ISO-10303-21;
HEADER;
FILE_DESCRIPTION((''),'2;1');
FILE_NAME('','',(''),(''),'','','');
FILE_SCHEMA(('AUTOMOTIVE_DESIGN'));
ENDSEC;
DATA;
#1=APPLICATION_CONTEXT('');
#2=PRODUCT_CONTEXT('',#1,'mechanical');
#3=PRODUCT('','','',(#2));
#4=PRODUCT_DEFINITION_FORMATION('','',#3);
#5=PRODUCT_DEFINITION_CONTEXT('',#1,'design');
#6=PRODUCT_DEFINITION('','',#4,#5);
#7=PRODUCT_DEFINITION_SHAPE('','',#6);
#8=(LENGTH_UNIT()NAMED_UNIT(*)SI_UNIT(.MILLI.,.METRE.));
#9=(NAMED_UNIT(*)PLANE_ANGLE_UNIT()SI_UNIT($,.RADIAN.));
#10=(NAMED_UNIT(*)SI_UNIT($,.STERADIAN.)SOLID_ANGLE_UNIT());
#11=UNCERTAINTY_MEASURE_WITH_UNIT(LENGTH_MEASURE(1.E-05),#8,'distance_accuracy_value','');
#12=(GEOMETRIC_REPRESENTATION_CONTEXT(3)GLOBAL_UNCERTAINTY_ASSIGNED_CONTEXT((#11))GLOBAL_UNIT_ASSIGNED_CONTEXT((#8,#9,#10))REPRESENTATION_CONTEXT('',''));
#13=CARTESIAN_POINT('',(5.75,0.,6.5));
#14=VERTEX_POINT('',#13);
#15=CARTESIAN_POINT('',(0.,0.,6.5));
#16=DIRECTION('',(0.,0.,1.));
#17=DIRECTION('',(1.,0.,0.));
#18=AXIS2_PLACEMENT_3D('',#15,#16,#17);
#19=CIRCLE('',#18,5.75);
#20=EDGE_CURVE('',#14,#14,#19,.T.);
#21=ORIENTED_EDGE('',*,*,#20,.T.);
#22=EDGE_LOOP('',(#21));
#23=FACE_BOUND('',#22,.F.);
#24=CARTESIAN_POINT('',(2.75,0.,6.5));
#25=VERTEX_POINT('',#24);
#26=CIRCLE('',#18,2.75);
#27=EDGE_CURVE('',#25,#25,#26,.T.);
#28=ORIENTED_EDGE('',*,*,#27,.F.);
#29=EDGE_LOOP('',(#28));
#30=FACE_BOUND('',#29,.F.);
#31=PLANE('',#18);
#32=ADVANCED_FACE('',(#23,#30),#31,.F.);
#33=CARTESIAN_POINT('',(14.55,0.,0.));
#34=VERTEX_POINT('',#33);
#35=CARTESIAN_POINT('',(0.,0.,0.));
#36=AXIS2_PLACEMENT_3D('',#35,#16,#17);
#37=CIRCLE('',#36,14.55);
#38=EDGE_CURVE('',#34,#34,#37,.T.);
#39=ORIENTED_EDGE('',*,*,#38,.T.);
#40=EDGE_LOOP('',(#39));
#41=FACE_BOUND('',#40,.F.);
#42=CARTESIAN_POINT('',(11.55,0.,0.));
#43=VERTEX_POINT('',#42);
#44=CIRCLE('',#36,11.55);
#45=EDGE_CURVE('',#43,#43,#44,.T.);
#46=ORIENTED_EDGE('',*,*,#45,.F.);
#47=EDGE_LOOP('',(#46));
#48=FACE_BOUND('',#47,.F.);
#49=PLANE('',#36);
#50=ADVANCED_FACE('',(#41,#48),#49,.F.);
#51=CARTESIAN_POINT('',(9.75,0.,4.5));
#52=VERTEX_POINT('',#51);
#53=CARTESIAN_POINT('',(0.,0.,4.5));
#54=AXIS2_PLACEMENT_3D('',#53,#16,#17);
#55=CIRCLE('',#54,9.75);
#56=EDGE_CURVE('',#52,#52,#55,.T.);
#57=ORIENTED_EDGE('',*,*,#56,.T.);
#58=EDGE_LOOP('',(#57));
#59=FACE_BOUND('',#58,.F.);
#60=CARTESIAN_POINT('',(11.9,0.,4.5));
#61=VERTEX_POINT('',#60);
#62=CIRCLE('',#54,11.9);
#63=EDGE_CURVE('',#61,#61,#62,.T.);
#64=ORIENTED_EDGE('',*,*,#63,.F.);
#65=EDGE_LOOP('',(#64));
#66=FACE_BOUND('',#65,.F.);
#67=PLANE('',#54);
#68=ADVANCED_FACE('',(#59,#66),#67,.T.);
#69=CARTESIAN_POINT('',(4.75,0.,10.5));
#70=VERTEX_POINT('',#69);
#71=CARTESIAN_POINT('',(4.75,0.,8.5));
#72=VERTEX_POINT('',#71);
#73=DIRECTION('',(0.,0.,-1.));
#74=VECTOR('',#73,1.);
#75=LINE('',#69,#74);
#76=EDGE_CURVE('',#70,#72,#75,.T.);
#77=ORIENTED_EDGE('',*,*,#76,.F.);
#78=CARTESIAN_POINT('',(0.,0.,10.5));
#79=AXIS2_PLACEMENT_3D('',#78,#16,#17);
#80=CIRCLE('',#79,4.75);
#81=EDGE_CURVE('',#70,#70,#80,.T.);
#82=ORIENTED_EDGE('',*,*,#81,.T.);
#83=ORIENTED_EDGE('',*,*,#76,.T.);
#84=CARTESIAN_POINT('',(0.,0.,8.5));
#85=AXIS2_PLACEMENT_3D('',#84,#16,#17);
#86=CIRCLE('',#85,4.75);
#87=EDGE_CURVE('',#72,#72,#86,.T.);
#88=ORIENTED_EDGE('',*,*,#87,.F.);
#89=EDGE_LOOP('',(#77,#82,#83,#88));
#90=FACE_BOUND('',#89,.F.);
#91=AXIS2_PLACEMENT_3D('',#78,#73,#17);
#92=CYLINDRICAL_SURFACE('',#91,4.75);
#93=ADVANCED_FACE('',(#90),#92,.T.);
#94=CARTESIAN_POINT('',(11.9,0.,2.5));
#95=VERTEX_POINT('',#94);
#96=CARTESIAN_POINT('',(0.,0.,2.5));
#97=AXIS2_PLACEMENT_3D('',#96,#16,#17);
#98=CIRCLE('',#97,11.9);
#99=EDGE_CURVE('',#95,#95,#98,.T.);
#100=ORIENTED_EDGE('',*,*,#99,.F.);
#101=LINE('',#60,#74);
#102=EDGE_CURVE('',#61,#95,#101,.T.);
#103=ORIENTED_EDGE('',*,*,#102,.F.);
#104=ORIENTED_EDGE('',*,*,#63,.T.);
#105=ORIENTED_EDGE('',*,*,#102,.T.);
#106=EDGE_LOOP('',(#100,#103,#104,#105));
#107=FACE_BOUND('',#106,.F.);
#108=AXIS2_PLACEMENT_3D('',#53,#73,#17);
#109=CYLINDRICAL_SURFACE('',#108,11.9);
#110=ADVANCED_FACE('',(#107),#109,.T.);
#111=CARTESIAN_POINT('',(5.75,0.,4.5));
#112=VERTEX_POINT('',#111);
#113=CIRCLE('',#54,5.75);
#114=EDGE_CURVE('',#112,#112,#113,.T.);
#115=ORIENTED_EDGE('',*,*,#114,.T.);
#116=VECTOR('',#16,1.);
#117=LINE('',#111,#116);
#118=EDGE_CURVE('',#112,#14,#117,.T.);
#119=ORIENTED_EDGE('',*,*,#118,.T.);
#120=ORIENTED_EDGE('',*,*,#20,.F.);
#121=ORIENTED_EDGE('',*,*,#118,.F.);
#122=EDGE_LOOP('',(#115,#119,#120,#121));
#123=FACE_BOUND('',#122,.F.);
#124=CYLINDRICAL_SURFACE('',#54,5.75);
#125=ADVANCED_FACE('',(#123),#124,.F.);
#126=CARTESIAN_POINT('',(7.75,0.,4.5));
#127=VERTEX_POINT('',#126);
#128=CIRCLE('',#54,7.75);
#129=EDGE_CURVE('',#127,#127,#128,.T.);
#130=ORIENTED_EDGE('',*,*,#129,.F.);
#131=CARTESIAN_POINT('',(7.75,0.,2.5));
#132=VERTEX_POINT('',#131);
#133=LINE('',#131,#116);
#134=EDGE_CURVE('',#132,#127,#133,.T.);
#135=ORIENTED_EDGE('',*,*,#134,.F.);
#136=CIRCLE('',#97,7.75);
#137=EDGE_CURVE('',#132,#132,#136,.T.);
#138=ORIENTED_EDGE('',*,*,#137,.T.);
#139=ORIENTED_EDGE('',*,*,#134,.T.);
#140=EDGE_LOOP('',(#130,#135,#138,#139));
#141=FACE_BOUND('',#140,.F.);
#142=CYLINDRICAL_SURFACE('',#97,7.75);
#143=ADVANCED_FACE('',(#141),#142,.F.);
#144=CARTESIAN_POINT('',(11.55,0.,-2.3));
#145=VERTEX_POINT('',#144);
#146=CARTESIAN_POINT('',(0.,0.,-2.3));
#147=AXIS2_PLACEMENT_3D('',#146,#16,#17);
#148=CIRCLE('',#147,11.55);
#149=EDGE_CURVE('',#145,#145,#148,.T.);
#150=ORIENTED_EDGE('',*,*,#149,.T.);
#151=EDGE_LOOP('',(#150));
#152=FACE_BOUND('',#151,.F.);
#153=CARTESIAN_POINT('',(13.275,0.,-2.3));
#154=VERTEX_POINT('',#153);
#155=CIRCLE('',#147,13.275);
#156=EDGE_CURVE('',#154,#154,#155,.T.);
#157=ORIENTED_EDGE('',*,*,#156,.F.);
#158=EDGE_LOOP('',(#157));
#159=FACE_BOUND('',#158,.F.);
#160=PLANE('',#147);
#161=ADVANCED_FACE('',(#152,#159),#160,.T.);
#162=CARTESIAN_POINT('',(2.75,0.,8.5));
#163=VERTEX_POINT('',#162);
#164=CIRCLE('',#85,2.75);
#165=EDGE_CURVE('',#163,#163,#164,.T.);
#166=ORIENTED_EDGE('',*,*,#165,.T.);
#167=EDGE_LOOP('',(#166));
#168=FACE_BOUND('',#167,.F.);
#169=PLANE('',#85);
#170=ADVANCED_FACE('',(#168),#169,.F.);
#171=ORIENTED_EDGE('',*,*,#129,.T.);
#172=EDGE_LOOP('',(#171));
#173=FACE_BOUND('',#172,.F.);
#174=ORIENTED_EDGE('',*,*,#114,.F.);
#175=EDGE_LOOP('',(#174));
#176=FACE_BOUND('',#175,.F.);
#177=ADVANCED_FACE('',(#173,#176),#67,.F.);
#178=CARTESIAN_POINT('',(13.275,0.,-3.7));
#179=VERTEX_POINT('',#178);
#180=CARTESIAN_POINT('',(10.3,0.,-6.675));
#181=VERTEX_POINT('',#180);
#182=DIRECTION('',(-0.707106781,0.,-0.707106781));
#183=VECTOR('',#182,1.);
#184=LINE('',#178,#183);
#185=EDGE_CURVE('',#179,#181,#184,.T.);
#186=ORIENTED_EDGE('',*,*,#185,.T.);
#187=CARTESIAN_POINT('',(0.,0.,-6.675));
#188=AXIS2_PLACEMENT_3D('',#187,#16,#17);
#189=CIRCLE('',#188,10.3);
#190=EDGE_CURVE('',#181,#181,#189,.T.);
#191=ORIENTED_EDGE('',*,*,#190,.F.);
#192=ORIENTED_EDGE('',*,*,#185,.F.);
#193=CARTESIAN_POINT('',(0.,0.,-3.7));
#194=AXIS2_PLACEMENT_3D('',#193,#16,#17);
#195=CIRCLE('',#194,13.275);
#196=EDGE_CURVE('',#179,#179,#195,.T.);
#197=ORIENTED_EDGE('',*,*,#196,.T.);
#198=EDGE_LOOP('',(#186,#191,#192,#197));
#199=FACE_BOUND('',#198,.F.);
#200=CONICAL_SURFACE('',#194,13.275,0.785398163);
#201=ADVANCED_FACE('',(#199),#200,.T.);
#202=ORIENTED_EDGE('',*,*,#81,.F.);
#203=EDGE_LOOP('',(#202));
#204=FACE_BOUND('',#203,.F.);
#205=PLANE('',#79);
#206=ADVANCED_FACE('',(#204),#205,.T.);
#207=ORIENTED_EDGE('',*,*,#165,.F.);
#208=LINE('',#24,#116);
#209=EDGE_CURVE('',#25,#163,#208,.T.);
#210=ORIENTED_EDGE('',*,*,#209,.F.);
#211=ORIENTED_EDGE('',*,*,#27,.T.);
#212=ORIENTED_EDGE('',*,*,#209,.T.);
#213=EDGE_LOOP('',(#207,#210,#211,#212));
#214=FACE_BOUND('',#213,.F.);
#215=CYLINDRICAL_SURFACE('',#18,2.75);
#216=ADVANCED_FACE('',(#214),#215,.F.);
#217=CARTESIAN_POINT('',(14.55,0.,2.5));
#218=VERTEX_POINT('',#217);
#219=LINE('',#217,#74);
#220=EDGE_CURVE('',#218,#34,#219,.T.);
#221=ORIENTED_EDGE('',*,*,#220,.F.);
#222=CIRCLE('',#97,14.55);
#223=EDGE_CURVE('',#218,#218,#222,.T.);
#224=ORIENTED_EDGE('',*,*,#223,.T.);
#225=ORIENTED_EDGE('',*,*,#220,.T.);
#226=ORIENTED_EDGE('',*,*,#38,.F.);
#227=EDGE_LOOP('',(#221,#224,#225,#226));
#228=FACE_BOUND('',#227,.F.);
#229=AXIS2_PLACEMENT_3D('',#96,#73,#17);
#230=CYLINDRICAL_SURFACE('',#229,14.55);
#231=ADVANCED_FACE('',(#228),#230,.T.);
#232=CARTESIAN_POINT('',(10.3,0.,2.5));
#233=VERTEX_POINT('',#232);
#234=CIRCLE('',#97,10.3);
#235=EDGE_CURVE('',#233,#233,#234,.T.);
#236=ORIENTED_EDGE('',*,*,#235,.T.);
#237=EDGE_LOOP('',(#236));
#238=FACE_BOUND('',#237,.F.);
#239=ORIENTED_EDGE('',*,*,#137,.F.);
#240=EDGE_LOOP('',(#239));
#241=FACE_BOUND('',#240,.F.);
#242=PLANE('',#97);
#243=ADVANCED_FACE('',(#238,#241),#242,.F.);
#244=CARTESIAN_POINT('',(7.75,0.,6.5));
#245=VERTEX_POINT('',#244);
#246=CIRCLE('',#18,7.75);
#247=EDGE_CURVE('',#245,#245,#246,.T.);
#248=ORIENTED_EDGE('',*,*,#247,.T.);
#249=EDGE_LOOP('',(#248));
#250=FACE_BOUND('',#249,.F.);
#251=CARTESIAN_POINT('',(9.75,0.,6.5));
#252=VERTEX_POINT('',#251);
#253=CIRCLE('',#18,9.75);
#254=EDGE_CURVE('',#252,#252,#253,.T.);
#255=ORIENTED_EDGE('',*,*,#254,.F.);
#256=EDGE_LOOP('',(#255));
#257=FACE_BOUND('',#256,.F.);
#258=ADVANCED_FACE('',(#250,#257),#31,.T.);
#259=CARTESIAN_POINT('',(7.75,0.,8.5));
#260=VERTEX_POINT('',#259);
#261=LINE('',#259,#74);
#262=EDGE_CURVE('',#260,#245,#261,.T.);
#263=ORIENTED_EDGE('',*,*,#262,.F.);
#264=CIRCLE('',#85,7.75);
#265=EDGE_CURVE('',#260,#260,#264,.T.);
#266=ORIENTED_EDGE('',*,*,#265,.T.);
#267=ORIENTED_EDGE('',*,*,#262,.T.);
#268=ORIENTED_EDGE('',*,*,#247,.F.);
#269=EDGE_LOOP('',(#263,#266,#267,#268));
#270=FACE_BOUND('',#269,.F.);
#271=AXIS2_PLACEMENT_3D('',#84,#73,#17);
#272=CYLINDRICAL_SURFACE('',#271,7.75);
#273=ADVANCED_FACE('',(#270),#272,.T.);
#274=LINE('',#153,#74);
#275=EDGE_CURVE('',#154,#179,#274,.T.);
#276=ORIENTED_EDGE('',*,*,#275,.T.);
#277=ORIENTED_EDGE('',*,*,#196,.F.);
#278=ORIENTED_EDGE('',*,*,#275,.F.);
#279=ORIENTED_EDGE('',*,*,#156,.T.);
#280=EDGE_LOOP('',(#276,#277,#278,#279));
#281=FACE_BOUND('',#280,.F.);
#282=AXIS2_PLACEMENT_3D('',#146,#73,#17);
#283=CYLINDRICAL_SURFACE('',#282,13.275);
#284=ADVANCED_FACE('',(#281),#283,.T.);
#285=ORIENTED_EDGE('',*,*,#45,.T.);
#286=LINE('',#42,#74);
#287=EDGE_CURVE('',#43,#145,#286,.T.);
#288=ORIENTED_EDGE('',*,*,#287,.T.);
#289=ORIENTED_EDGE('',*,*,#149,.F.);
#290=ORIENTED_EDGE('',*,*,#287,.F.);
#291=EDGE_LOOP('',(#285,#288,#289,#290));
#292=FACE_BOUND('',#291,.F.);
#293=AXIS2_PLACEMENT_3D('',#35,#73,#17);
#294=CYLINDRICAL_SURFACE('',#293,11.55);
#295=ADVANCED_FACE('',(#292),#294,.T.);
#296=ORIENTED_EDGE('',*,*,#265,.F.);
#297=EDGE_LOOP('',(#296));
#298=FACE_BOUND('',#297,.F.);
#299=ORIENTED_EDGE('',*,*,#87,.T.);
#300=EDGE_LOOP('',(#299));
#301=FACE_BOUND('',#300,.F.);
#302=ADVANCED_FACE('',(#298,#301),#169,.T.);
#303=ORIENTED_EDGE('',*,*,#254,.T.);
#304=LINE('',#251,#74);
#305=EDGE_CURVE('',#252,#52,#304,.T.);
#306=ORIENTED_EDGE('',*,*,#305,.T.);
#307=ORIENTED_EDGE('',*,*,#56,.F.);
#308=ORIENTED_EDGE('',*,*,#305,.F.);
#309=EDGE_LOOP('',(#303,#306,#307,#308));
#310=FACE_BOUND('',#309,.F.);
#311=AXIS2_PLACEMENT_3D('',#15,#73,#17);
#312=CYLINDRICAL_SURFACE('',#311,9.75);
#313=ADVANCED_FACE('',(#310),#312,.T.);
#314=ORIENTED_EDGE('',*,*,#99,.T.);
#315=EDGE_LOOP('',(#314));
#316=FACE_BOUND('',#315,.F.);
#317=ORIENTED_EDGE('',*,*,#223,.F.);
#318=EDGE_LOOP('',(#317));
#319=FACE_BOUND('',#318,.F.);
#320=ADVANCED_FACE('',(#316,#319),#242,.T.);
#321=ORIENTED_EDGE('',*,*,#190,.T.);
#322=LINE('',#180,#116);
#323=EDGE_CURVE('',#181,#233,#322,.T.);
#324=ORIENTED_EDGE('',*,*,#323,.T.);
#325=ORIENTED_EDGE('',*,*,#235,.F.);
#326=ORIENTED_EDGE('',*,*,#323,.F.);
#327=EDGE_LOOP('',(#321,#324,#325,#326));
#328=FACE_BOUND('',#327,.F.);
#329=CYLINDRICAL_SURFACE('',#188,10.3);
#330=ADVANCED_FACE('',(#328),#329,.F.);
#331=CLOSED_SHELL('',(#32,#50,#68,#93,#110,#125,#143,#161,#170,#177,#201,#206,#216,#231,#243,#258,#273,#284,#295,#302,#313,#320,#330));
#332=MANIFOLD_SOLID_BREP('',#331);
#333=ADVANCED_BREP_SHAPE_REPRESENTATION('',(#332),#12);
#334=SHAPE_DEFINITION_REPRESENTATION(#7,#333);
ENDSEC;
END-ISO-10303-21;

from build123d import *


with BuildPart() as part:
    # Sketch → Revolution (revolve)
    with BuildSketch(Plane.XZ):
        Polygon((14.55, 0), (11.55, 0), (11.55, -2.3), (13.275, -2.3), (13.275, -3.7), (10.3, -6.675), (10.3, 2.5), (7.75, 2.5), (7.75, 4.5), (5.75, 4.5), (5.75, 6.5), (2.75, 6.5), (2.75, 8.5), (0, 8.5), (0, 10.5), (4.75, 10.5), (4.75, 8.5), (7.75, 8.5), (7.75, 6.5), (9.75, 6.5), (9.75, 4.5), (11.9, 4.5), (11.9, 2.5), (14.55, 2.5), align=None)
    revolve(axis=Axis((0, 0, 0), (0, 0, 1)))


solid = part.part
